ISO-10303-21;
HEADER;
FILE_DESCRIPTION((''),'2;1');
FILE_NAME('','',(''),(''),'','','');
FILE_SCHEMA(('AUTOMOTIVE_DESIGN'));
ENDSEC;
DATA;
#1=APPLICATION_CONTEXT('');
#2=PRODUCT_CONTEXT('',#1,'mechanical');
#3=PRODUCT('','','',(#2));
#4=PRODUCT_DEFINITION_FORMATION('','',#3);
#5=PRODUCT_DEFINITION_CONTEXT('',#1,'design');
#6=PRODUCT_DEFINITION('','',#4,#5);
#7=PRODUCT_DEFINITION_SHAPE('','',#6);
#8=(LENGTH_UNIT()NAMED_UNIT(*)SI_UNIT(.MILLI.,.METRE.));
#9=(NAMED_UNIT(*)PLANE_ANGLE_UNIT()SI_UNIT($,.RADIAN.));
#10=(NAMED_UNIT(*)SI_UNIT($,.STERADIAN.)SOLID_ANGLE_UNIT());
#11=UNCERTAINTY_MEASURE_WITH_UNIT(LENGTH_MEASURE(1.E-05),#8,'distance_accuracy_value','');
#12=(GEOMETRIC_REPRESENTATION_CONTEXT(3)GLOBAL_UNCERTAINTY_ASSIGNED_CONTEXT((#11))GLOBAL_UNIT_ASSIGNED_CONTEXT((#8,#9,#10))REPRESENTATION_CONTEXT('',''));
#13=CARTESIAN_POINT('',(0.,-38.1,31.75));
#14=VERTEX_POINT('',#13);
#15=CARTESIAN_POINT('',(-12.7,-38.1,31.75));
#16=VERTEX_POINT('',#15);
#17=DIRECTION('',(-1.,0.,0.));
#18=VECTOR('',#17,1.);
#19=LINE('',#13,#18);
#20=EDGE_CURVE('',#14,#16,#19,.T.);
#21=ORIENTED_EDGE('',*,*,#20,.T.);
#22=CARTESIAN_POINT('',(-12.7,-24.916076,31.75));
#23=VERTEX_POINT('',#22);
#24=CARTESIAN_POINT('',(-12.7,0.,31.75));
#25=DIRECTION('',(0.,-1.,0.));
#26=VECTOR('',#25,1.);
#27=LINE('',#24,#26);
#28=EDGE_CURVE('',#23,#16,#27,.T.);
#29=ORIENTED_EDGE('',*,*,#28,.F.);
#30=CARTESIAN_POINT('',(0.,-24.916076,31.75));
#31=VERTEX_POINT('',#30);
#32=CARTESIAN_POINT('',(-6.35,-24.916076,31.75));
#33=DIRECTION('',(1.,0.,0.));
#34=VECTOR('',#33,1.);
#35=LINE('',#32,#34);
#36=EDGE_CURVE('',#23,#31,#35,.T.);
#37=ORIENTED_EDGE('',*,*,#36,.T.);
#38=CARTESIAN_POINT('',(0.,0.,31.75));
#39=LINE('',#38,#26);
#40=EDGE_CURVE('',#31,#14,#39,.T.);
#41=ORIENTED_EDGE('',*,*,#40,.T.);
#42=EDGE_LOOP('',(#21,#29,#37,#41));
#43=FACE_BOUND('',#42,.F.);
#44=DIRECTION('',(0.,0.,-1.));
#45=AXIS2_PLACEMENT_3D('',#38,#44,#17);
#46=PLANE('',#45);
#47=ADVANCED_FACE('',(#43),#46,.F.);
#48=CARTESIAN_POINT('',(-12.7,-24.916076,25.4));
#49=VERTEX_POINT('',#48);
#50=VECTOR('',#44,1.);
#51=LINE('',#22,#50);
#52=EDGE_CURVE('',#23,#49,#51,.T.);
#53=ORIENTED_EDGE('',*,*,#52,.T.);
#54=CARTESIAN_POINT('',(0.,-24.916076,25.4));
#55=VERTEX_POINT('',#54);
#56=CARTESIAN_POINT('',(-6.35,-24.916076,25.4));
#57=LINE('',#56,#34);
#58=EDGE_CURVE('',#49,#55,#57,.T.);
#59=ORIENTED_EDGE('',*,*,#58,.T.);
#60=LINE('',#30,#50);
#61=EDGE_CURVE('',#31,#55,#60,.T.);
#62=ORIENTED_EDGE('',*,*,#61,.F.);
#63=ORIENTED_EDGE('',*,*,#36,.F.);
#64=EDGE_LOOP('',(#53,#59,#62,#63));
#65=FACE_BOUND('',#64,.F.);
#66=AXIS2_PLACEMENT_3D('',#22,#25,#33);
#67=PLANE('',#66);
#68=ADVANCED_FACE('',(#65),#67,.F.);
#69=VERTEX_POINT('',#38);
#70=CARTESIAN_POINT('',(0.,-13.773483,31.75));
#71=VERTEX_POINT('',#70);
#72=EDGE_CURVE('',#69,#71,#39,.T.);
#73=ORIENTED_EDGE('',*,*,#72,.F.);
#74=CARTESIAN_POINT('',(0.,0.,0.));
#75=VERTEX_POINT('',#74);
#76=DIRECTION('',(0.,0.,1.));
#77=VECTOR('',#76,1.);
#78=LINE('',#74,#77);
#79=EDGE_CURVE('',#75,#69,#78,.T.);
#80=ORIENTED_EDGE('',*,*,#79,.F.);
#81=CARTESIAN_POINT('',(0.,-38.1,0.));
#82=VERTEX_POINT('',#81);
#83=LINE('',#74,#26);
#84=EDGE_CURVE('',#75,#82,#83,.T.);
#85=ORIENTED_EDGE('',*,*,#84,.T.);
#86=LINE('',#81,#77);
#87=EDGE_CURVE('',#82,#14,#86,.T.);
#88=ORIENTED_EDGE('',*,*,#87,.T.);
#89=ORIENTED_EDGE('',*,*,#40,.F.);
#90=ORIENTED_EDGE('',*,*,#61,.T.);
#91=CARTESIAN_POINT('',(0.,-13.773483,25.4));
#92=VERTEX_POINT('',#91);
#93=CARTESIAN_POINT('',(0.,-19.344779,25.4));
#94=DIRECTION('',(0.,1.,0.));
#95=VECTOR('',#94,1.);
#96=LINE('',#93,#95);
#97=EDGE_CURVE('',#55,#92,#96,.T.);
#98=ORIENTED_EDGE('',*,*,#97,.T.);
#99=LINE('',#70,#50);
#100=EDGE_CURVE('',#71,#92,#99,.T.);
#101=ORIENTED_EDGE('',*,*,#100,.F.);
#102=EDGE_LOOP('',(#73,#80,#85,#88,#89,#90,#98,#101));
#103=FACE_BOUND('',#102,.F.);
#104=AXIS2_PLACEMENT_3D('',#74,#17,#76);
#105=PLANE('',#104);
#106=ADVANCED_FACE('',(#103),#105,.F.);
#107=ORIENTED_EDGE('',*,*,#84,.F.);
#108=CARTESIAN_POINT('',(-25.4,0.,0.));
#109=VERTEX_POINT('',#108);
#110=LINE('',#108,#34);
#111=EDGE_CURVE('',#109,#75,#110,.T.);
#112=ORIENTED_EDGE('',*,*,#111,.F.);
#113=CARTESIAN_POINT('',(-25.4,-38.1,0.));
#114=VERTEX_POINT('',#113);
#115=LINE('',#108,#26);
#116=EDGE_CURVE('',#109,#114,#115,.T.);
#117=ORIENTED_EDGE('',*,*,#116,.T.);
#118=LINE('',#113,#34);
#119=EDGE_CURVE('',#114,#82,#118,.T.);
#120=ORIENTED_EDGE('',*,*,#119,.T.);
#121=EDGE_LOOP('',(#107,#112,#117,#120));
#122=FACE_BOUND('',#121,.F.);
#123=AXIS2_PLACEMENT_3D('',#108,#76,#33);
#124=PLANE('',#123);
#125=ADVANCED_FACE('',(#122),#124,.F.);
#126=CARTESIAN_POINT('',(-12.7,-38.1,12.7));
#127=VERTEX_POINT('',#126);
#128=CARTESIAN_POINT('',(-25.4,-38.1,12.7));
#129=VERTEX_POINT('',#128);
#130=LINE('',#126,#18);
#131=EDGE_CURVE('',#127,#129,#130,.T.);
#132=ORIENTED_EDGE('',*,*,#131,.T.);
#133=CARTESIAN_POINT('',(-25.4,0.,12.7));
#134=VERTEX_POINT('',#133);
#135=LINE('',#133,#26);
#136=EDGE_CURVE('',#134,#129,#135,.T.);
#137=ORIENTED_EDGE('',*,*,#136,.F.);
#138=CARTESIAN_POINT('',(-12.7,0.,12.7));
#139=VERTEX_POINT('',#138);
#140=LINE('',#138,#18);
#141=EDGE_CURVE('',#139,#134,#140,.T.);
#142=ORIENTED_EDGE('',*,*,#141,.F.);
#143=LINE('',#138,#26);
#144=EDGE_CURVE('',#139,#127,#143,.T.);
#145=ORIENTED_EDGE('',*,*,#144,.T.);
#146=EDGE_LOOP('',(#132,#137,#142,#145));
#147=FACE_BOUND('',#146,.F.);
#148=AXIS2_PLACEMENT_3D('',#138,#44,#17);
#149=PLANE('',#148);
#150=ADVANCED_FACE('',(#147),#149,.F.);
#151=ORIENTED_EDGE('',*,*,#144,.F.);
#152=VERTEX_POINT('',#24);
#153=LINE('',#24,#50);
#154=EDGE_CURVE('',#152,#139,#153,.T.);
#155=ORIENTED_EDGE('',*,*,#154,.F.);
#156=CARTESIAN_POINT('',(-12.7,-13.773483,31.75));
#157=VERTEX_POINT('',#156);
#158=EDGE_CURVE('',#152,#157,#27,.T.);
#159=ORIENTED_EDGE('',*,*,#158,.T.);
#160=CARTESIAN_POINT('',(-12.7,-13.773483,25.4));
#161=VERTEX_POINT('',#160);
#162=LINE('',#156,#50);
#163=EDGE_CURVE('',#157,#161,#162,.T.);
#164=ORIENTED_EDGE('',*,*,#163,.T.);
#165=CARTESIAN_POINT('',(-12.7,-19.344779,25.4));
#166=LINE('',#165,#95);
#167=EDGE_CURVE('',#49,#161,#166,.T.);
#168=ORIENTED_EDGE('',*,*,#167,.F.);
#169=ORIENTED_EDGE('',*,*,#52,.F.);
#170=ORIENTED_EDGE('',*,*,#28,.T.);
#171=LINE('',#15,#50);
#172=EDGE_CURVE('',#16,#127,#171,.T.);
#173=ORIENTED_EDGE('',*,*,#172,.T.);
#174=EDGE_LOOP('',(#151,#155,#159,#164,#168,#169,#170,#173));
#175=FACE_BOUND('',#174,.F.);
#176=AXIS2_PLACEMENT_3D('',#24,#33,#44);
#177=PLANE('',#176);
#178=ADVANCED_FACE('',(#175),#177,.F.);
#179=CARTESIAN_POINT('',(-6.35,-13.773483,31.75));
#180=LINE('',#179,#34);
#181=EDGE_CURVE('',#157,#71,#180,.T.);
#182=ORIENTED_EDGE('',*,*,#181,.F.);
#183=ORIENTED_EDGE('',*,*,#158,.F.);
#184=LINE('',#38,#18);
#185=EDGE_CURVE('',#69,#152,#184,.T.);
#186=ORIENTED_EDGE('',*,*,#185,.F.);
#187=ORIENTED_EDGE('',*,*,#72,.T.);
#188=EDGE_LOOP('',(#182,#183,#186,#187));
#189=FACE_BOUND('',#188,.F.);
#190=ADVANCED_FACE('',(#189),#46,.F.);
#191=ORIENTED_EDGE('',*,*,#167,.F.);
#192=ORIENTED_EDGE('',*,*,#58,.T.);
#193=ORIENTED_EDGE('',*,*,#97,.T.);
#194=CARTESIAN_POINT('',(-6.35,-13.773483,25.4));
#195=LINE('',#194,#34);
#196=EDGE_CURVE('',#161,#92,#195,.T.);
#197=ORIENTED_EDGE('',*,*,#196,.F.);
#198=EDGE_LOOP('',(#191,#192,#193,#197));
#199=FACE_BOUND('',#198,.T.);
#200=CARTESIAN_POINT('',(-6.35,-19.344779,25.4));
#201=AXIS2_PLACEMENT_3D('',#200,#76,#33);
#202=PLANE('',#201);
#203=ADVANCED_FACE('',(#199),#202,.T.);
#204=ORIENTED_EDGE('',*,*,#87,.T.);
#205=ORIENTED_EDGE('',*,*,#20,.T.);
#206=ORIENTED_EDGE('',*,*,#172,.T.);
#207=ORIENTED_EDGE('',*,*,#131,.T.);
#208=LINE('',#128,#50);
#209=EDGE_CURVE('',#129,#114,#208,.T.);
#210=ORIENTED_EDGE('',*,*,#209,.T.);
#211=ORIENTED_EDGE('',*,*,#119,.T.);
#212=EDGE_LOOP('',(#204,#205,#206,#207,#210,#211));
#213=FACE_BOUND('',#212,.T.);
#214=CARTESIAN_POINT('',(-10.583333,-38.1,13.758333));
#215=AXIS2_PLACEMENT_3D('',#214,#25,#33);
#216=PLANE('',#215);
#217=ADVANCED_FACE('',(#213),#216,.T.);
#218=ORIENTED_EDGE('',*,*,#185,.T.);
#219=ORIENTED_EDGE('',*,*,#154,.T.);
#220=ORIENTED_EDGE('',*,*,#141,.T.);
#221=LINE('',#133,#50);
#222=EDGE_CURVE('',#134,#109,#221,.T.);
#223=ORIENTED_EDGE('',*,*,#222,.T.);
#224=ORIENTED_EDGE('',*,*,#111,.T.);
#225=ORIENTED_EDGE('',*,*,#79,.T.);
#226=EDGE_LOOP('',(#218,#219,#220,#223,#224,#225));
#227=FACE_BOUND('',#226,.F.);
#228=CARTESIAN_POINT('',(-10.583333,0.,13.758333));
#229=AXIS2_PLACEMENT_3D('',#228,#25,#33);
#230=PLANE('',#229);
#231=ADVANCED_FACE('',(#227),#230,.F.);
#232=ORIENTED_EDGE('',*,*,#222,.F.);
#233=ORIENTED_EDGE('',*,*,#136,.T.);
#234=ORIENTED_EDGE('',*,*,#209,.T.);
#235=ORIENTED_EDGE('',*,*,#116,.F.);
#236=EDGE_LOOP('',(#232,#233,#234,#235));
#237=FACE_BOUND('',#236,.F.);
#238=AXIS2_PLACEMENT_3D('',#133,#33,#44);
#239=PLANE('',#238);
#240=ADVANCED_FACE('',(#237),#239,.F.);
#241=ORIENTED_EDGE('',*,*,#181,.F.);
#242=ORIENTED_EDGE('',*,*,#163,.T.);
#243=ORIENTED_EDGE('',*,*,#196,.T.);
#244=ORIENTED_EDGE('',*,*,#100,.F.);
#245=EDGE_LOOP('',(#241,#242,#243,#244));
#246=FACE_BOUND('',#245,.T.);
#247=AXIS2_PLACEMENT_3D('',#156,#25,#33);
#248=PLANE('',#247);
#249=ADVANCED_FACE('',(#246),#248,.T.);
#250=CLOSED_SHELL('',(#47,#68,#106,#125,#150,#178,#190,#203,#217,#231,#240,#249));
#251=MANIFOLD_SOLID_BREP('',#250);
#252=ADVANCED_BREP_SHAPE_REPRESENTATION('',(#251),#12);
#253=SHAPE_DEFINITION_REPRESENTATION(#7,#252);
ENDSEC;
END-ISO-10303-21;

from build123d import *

# Parameters (mm, degrees)
F1_DEPTH = 38.1
F2_W     = 12.7
F2_H     = 11.142593
F3_DEPTH = 6.35


with BuildPart() as f1:
    # F0 (on Front) → F1 (new body)
    with BuildSketch(Plane.XZ):
        Polygon((-25.4, 0), (0, 0), (0, 31.75), (-12.7, 31.75), (-12.7, 12.7), (-25.4, 12.7), align=None)
    extrude(amount=F1_DEPTH)

    # F2 (on face) → F3 (cut)
    with BuildSketch(Plane.XY.offset(31.75)):
        with Locations((-6.35, -19.344779)):
            Rectangle(F2_W, F2_H)
    extrude(amount=-F3_DEPTH, mode=Mode.SUBTRACT)


solid = f1.part
